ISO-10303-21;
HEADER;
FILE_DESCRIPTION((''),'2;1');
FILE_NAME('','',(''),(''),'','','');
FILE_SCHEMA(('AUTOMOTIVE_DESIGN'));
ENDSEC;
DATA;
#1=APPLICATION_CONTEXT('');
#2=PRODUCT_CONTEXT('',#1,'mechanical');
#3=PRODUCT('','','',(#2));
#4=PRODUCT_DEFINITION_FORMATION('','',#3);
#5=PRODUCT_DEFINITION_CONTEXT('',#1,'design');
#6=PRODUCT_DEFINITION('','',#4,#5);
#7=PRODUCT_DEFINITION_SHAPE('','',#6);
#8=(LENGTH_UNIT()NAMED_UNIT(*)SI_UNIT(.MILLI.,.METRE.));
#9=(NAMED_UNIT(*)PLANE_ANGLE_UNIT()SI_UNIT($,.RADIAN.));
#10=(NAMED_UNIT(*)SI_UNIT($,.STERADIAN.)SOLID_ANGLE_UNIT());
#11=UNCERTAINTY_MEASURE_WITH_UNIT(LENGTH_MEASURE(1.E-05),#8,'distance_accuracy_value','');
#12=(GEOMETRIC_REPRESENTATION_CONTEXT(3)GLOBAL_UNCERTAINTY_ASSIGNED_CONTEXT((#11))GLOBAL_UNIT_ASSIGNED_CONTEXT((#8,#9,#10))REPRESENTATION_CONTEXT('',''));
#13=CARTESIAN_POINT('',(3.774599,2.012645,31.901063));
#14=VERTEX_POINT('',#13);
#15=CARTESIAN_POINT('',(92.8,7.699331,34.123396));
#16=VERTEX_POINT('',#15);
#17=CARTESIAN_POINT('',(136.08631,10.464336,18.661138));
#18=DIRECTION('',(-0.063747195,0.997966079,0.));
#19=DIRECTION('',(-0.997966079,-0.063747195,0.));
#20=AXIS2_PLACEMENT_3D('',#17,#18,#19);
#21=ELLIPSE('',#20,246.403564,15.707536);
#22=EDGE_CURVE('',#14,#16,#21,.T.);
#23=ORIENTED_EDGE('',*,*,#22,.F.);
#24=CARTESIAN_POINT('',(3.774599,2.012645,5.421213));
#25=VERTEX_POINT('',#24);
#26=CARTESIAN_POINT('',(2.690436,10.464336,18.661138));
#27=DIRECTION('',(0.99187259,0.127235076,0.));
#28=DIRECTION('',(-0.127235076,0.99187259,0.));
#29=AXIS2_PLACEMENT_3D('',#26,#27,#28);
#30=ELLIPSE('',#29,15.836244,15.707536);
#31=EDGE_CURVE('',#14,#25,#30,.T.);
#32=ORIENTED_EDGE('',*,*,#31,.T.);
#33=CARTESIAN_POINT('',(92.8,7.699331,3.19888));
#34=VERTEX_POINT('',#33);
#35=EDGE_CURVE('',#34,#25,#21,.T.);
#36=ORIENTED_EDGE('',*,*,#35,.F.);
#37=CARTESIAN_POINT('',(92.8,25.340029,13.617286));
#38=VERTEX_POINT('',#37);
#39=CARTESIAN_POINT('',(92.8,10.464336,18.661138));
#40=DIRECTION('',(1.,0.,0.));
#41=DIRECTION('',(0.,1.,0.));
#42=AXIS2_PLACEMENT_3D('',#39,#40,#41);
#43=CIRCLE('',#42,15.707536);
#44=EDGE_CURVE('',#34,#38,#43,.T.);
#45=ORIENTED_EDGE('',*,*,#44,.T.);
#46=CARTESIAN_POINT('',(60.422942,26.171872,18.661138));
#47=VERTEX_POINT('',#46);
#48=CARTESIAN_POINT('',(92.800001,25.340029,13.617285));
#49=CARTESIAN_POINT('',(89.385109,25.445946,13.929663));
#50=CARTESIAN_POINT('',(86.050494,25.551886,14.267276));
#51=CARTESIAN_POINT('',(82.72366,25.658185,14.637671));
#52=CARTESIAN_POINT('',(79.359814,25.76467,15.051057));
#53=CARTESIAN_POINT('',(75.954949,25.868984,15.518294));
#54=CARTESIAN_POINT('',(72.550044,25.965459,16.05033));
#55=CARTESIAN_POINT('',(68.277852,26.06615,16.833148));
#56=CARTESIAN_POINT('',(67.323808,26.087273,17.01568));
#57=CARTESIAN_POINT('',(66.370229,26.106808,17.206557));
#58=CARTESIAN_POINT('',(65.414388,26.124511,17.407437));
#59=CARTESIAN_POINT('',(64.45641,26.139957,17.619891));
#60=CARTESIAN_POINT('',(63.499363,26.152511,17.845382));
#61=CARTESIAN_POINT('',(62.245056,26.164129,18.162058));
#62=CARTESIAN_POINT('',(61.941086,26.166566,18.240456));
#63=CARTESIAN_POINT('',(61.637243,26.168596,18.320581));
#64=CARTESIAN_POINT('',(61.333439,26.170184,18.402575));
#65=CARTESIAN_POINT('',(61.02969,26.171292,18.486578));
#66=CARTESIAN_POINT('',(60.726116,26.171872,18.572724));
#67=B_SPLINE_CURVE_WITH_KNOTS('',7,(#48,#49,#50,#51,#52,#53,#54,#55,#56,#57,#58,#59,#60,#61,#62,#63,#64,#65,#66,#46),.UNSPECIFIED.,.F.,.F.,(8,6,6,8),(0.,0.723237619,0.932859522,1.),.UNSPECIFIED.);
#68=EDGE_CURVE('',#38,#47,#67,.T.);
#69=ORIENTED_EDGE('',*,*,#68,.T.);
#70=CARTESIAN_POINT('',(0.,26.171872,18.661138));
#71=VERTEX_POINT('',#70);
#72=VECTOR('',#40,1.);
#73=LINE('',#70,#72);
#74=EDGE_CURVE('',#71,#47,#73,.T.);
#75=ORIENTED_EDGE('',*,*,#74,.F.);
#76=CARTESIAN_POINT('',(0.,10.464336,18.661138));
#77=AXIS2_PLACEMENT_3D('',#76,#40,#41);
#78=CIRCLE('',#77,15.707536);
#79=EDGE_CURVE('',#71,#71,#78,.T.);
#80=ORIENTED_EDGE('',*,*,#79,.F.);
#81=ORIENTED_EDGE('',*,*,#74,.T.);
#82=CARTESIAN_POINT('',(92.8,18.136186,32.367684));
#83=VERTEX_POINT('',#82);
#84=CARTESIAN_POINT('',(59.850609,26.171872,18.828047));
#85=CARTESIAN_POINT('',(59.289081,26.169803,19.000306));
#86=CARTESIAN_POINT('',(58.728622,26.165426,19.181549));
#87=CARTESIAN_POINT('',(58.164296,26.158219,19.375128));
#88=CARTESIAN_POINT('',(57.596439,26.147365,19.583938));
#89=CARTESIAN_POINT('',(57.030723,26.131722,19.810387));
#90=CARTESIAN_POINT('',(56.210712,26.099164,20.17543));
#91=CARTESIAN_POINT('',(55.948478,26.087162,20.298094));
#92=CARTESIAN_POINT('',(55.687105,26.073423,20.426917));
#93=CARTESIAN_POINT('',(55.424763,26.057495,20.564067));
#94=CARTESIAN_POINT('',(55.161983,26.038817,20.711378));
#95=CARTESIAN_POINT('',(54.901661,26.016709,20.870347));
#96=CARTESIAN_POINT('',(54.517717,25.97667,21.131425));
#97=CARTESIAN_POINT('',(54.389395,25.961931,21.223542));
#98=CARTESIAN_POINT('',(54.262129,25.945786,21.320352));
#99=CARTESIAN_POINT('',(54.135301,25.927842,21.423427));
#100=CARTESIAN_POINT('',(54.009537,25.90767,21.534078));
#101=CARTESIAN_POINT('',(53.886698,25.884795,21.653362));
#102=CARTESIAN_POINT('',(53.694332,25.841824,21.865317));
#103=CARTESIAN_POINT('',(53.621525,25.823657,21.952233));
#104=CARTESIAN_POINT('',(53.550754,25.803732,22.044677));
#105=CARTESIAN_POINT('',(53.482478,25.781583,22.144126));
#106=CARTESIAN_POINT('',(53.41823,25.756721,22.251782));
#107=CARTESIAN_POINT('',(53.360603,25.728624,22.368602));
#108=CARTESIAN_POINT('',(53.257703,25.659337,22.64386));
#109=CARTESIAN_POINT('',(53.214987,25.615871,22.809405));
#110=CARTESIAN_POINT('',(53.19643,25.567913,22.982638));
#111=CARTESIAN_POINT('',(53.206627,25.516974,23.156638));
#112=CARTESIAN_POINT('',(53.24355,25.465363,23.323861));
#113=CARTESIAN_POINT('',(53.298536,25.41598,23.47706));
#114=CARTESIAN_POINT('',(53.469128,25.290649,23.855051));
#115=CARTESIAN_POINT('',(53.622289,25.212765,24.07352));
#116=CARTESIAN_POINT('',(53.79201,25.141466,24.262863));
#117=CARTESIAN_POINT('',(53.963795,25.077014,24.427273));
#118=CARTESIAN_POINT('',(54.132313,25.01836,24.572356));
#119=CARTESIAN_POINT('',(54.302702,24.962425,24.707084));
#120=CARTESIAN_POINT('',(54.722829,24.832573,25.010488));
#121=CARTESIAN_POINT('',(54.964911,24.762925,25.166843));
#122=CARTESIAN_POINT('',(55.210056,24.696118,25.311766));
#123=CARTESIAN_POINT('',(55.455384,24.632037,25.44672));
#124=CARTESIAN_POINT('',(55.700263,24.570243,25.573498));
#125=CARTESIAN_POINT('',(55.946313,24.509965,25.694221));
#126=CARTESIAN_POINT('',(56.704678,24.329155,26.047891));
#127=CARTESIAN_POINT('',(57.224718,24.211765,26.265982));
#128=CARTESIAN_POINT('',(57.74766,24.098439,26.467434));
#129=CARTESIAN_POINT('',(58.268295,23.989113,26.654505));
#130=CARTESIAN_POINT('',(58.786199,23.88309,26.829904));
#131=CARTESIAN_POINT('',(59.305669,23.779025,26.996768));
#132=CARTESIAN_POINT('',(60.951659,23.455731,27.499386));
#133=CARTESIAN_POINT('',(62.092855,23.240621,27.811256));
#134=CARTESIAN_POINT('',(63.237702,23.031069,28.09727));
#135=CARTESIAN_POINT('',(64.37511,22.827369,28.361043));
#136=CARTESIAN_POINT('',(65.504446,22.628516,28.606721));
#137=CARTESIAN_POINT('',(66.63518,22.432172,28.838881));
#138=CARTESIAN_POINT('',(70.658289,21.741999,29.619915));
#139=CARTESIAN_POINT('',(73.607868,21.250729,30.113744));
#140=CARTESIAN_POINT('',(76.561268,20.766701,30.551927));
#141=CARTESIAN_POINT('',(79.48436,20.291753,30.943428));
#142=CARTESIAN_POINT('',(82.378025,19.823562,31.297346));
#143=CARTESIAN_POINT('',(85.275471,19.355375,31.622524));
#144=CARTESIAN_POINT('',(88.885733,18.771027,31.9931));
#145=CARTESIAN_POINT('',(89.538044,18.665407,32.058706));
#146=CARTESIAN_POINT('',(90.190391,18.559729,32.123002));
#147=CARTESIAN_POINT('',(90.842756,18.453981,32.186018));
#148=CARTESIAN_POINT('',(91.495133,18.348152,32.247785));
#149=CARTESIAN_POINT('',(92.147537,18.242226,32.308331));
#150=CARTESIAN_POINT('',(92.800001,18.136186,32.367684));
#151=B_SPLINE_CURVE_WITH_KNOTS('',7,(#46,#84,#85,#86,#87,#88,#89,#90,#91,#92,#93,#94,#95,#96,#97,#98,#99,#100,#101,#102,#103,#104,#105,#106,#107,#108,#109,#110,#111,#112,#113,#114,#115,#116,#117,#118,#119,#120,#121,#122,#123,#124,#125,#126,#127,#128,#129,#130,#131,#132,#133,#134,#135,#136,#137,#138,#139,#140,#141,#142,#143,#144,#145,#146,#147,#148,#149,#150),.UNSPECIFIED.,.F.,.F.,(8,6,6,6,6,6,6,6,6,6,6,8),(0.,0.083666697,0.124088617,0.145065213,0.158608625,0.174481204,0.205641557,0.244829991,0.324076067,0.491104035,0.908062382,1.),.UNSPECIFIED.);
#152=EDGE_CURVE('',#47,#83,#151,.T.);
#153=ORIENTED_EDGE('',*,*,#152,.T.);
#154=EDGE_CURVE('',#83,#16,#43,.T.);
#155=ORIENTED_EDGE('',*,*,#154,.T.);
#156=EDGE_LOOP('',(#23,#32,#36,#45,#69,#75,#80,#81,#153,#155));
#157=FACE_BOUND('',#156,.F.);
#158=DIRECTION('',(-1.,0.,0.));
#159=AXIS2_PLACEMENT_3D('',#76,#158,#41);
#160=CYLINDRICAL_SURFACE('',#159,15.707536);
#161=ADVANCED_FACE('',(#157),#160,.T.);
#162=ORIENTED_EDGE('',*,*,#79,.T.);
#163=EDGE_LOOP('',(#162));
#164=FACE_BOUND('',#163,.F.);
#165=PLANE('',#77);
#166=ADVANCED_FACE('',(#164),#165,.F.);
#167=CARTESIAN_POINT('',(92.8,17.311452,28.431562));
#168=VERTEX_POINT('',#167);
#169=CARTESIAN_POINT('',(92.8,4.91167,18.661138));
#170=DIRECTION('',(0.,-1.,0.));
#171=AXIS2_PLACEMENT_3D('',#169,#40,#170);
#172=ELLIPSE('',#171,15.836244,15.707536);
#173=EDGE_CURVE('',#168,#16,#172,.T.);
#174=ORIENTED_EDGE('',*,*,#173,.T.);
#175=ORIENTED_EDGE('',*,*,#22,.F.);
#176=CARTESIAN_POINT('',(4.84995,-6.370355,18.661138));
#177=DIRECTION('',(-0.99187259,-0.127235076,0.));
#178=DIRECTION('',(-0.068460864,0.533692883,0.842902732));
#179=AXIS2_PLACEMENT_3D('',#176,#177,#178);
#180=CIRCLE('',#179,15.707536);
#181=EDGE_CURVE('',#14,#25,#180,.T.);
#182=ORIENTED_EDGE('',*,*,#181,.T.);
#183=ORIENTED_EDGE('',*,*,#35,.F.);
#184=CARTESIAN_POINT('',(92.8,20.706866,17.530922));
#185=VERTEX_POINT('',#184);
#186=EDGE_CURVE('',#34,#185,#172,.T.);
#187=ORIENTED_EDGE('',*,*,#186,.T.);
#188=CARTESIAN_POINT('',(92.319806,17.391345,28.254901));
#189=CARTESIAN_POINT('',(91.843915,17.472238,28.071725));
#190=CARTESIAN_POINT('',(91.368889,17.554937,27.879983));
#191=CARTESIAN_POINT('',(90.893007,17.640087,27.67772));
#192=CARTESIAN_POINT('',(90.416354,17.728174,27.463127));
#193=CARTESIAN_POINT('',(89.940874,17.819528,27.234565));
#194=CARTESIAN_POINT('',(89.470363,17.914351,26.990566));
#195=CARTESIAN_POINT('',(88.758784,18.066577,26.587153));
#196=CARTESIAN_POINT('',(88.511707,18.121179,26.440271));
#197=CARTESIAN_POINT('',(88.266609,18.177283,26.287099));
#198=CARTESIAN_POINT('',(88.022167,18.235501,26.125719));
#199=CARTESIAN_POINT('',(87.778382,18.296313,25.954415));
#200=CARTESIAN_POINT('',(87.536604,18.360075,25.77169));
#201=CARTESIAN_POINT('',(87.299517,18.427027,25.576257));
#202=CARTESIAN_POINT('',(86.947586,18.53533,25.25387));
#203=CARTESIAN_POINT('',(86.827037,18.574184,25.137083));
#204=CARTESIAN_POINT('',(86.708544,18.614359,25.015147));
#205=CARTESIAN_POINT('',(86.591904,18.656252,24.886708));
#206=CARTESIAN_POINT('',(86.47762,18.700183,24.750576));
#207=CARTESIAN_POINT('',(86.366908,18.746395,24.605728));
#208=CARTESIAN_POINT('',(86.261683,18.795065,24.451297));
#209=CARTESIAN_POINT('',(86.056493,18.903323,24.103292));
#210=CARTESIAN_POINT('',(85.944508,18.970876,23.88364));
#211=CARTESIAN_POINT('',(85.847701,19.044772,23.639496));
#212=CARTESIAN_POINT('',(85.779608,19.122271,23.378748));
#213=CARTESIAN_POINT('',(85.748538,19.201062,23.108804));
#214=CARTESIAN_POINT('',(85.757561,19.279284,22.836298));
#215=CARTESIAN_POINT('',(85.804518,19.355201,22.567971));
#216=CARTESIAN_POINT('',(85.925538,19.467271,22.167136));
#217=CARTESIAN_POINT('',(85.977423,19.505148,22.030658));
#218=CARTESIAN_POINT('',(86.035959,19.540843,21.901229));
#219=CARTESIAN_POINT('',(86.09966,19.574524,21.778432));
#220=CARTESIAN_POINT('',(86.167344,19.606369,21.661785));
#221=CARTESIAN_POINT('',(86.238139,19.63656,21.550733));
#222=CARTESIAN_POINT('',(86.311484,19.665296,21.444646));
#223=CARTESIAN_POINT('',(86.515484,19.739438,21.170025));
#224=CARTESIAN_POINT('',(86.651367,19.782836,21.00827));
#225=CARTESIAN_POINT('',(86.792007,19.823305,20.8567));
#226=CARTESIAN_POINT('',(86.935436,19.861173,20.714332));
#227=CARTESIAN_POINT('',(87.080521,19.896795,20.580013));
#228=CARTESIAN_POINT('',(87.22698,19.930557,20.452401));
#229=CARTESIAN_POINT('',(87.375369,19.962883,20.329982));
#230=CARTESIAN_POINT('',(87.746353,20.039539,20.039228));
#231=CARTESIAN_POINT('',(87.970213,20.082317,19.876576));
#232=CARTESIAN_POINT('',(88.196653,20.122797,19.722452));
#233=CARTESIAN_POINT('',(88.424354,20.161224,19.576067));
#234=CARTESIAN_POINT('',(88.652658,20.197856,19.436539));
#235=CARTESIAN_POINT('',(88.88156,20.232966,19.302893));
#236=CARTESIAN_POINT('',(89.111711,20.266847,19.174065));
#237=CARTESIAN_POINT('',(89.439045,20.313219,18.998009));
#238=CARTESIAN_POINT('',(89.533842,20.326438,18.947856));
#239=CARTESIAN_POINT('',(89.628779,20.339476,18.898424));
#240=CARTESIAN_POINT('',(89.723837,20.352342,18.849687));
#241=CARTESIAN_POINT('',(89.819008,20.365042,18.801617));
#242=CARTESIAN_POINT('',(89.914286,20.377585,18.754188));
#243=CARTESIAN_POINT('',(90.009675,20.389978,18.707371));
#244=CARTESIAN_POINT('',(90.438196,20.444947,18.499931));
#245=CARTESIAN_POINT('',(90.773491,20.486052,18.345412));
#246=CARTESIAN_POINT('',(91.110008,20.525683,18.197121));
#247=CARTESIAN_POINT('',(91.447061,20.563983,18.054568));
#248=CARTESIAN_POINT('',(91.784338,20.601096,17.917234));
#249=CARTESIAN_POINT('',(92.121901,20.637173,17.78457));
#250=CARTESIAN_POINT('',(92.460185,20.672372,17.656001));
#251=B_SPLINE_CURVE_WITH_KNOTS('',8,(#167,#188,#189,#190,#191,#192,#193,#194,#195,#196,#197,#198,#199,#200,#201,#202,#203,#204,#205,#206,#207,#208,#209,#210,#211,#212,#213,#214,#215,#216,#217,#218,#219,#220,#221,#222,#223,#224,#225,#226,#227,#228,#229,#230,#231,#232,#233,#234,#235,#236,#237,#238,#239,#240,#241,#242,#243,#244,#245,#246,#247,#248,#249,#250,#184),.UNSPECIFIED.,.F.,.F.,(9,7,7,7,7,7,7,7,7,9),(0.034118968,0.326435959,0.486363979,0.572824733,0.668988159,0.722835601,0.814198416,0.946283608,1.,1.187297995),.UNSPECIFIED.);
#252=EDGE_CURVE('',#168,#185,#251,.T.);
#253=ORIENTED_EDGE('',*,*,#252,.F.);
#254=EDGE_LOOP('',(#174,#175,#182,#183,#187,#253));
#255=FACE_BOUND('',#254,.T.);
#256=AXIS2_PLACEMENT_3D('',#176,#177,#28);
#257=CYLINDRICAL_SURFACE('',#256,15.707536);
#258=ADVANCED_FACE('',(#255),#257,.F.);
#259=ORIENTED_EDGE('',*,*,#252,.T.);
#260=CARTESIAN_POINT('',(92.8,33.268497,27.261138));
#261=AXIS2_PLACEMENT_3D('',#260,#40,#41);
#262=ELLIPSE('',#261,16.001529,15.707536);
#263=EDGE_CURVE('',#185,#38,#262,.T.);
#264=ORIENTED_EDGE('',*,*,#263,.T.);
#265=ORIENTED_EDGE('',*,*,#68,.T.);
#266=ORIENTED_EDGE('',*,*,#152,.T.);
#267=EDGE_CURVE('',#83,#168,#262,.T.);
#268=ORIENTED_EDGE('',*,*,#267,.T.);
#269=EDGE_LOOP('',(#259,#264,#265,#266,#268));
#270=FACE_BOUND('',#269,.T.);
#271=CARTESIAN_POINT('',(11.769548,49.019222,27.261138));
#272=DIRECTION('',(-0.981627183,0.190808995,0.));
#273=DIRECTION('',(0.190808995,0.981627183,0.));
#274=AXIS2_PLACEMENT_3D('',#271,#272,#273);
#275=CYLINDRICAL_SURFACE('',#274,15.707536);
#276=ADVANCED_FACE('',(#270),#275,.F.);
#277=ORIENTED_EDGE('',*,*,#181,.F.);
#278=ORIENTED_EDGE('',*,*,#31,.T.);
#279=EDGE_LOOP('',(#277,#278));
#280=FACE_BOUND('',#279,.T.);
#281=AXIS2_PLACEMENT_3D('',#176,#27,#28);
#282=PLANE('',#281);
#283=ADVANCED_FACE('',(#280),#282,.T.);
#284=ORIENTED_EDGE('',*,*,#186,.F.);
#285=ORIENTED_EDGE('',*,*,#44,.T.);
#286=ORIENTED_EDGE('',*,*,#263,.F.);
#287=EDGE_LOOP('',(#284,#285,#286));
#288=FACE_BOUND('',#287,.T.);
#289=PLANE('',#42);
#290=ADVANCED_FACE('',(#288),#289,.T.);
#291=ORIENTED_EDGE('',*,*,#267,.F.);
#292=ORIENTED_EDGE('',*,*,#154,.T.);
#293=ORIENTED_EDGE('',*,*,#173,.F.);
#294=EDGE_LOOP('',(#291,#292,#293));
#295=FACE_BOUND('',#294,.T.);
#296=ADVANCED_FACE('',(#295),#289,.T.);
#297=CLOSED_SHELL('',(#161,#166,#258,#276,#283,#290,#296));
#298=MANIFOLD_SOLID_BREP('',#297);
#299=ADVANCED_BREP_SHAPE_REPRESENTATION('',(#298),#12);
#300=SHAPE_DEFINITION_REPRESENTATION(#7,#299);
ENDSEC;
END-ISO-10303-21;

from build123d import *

# Parameters (mm, degrees)
F0_R      = 15.707536
F1_DEPTH  = 92.8
F6_ANGLE  = -7.309847
F10_ANGLE = 11


with BuildPart() as f1:
    # F0 (on Right) → F1 (new body)
    with BuildSketch(Plane.YZ):
        with Locations((-37.135664, 18.661138)):
            Circle(F0_R)
    extrude(amount=F1_DEPTH)


with BuildPart() as f2_1:
    # F2: copy of F1
    add(f1.part.moved(Location((0, 47.6, 0))))


with BuildPart() as f3_1:
    # F3: copy of F2_1
    add(f2_1.part.moved(Location((0, 49.9, 0))))


with BuildPart() as f1_1:
    # F4: moved
    add(f1.part.moved(Location((4, 30.2, 0))))


with BuildPart() as f1_2:
    # F6: moved
    add(f1_1.part.rotate(Axis((0, 0, 16.515106), (0, 0, -1)), F6_ANGLE))


with BuildPart() as f3_1_1:
    # F7: moved
    add(f3_1.part.moved(Location((2.4, 0, 0))))


with BuildPart() as f3_1_2:
    # F8: moved
    add(f3_1_1.part.moved(Location((0, -10, 0))))


with BuildPart() as f3_1_3:
    # F9: moved
    add(f3_1_2.part.moved(Location((-0.2, 0, 8.6))))


with BuildPart() as f3_1_4:
    # F10: moved
    add(f3_1_3.part.rotate(Axis((0, 0, 16.515106), (0, 0, -1)), F10_ANGLE))


with BuildPart() as f2_1_1:
    add(f2_1.part)

    # F11: cut F1, F3_1
    add(f1_2.part, mode=Mode.SUBTRACT)
    add(f3_1_4.part, mode=Mode.SUBTRACT)


solid = f2_1_1.part
